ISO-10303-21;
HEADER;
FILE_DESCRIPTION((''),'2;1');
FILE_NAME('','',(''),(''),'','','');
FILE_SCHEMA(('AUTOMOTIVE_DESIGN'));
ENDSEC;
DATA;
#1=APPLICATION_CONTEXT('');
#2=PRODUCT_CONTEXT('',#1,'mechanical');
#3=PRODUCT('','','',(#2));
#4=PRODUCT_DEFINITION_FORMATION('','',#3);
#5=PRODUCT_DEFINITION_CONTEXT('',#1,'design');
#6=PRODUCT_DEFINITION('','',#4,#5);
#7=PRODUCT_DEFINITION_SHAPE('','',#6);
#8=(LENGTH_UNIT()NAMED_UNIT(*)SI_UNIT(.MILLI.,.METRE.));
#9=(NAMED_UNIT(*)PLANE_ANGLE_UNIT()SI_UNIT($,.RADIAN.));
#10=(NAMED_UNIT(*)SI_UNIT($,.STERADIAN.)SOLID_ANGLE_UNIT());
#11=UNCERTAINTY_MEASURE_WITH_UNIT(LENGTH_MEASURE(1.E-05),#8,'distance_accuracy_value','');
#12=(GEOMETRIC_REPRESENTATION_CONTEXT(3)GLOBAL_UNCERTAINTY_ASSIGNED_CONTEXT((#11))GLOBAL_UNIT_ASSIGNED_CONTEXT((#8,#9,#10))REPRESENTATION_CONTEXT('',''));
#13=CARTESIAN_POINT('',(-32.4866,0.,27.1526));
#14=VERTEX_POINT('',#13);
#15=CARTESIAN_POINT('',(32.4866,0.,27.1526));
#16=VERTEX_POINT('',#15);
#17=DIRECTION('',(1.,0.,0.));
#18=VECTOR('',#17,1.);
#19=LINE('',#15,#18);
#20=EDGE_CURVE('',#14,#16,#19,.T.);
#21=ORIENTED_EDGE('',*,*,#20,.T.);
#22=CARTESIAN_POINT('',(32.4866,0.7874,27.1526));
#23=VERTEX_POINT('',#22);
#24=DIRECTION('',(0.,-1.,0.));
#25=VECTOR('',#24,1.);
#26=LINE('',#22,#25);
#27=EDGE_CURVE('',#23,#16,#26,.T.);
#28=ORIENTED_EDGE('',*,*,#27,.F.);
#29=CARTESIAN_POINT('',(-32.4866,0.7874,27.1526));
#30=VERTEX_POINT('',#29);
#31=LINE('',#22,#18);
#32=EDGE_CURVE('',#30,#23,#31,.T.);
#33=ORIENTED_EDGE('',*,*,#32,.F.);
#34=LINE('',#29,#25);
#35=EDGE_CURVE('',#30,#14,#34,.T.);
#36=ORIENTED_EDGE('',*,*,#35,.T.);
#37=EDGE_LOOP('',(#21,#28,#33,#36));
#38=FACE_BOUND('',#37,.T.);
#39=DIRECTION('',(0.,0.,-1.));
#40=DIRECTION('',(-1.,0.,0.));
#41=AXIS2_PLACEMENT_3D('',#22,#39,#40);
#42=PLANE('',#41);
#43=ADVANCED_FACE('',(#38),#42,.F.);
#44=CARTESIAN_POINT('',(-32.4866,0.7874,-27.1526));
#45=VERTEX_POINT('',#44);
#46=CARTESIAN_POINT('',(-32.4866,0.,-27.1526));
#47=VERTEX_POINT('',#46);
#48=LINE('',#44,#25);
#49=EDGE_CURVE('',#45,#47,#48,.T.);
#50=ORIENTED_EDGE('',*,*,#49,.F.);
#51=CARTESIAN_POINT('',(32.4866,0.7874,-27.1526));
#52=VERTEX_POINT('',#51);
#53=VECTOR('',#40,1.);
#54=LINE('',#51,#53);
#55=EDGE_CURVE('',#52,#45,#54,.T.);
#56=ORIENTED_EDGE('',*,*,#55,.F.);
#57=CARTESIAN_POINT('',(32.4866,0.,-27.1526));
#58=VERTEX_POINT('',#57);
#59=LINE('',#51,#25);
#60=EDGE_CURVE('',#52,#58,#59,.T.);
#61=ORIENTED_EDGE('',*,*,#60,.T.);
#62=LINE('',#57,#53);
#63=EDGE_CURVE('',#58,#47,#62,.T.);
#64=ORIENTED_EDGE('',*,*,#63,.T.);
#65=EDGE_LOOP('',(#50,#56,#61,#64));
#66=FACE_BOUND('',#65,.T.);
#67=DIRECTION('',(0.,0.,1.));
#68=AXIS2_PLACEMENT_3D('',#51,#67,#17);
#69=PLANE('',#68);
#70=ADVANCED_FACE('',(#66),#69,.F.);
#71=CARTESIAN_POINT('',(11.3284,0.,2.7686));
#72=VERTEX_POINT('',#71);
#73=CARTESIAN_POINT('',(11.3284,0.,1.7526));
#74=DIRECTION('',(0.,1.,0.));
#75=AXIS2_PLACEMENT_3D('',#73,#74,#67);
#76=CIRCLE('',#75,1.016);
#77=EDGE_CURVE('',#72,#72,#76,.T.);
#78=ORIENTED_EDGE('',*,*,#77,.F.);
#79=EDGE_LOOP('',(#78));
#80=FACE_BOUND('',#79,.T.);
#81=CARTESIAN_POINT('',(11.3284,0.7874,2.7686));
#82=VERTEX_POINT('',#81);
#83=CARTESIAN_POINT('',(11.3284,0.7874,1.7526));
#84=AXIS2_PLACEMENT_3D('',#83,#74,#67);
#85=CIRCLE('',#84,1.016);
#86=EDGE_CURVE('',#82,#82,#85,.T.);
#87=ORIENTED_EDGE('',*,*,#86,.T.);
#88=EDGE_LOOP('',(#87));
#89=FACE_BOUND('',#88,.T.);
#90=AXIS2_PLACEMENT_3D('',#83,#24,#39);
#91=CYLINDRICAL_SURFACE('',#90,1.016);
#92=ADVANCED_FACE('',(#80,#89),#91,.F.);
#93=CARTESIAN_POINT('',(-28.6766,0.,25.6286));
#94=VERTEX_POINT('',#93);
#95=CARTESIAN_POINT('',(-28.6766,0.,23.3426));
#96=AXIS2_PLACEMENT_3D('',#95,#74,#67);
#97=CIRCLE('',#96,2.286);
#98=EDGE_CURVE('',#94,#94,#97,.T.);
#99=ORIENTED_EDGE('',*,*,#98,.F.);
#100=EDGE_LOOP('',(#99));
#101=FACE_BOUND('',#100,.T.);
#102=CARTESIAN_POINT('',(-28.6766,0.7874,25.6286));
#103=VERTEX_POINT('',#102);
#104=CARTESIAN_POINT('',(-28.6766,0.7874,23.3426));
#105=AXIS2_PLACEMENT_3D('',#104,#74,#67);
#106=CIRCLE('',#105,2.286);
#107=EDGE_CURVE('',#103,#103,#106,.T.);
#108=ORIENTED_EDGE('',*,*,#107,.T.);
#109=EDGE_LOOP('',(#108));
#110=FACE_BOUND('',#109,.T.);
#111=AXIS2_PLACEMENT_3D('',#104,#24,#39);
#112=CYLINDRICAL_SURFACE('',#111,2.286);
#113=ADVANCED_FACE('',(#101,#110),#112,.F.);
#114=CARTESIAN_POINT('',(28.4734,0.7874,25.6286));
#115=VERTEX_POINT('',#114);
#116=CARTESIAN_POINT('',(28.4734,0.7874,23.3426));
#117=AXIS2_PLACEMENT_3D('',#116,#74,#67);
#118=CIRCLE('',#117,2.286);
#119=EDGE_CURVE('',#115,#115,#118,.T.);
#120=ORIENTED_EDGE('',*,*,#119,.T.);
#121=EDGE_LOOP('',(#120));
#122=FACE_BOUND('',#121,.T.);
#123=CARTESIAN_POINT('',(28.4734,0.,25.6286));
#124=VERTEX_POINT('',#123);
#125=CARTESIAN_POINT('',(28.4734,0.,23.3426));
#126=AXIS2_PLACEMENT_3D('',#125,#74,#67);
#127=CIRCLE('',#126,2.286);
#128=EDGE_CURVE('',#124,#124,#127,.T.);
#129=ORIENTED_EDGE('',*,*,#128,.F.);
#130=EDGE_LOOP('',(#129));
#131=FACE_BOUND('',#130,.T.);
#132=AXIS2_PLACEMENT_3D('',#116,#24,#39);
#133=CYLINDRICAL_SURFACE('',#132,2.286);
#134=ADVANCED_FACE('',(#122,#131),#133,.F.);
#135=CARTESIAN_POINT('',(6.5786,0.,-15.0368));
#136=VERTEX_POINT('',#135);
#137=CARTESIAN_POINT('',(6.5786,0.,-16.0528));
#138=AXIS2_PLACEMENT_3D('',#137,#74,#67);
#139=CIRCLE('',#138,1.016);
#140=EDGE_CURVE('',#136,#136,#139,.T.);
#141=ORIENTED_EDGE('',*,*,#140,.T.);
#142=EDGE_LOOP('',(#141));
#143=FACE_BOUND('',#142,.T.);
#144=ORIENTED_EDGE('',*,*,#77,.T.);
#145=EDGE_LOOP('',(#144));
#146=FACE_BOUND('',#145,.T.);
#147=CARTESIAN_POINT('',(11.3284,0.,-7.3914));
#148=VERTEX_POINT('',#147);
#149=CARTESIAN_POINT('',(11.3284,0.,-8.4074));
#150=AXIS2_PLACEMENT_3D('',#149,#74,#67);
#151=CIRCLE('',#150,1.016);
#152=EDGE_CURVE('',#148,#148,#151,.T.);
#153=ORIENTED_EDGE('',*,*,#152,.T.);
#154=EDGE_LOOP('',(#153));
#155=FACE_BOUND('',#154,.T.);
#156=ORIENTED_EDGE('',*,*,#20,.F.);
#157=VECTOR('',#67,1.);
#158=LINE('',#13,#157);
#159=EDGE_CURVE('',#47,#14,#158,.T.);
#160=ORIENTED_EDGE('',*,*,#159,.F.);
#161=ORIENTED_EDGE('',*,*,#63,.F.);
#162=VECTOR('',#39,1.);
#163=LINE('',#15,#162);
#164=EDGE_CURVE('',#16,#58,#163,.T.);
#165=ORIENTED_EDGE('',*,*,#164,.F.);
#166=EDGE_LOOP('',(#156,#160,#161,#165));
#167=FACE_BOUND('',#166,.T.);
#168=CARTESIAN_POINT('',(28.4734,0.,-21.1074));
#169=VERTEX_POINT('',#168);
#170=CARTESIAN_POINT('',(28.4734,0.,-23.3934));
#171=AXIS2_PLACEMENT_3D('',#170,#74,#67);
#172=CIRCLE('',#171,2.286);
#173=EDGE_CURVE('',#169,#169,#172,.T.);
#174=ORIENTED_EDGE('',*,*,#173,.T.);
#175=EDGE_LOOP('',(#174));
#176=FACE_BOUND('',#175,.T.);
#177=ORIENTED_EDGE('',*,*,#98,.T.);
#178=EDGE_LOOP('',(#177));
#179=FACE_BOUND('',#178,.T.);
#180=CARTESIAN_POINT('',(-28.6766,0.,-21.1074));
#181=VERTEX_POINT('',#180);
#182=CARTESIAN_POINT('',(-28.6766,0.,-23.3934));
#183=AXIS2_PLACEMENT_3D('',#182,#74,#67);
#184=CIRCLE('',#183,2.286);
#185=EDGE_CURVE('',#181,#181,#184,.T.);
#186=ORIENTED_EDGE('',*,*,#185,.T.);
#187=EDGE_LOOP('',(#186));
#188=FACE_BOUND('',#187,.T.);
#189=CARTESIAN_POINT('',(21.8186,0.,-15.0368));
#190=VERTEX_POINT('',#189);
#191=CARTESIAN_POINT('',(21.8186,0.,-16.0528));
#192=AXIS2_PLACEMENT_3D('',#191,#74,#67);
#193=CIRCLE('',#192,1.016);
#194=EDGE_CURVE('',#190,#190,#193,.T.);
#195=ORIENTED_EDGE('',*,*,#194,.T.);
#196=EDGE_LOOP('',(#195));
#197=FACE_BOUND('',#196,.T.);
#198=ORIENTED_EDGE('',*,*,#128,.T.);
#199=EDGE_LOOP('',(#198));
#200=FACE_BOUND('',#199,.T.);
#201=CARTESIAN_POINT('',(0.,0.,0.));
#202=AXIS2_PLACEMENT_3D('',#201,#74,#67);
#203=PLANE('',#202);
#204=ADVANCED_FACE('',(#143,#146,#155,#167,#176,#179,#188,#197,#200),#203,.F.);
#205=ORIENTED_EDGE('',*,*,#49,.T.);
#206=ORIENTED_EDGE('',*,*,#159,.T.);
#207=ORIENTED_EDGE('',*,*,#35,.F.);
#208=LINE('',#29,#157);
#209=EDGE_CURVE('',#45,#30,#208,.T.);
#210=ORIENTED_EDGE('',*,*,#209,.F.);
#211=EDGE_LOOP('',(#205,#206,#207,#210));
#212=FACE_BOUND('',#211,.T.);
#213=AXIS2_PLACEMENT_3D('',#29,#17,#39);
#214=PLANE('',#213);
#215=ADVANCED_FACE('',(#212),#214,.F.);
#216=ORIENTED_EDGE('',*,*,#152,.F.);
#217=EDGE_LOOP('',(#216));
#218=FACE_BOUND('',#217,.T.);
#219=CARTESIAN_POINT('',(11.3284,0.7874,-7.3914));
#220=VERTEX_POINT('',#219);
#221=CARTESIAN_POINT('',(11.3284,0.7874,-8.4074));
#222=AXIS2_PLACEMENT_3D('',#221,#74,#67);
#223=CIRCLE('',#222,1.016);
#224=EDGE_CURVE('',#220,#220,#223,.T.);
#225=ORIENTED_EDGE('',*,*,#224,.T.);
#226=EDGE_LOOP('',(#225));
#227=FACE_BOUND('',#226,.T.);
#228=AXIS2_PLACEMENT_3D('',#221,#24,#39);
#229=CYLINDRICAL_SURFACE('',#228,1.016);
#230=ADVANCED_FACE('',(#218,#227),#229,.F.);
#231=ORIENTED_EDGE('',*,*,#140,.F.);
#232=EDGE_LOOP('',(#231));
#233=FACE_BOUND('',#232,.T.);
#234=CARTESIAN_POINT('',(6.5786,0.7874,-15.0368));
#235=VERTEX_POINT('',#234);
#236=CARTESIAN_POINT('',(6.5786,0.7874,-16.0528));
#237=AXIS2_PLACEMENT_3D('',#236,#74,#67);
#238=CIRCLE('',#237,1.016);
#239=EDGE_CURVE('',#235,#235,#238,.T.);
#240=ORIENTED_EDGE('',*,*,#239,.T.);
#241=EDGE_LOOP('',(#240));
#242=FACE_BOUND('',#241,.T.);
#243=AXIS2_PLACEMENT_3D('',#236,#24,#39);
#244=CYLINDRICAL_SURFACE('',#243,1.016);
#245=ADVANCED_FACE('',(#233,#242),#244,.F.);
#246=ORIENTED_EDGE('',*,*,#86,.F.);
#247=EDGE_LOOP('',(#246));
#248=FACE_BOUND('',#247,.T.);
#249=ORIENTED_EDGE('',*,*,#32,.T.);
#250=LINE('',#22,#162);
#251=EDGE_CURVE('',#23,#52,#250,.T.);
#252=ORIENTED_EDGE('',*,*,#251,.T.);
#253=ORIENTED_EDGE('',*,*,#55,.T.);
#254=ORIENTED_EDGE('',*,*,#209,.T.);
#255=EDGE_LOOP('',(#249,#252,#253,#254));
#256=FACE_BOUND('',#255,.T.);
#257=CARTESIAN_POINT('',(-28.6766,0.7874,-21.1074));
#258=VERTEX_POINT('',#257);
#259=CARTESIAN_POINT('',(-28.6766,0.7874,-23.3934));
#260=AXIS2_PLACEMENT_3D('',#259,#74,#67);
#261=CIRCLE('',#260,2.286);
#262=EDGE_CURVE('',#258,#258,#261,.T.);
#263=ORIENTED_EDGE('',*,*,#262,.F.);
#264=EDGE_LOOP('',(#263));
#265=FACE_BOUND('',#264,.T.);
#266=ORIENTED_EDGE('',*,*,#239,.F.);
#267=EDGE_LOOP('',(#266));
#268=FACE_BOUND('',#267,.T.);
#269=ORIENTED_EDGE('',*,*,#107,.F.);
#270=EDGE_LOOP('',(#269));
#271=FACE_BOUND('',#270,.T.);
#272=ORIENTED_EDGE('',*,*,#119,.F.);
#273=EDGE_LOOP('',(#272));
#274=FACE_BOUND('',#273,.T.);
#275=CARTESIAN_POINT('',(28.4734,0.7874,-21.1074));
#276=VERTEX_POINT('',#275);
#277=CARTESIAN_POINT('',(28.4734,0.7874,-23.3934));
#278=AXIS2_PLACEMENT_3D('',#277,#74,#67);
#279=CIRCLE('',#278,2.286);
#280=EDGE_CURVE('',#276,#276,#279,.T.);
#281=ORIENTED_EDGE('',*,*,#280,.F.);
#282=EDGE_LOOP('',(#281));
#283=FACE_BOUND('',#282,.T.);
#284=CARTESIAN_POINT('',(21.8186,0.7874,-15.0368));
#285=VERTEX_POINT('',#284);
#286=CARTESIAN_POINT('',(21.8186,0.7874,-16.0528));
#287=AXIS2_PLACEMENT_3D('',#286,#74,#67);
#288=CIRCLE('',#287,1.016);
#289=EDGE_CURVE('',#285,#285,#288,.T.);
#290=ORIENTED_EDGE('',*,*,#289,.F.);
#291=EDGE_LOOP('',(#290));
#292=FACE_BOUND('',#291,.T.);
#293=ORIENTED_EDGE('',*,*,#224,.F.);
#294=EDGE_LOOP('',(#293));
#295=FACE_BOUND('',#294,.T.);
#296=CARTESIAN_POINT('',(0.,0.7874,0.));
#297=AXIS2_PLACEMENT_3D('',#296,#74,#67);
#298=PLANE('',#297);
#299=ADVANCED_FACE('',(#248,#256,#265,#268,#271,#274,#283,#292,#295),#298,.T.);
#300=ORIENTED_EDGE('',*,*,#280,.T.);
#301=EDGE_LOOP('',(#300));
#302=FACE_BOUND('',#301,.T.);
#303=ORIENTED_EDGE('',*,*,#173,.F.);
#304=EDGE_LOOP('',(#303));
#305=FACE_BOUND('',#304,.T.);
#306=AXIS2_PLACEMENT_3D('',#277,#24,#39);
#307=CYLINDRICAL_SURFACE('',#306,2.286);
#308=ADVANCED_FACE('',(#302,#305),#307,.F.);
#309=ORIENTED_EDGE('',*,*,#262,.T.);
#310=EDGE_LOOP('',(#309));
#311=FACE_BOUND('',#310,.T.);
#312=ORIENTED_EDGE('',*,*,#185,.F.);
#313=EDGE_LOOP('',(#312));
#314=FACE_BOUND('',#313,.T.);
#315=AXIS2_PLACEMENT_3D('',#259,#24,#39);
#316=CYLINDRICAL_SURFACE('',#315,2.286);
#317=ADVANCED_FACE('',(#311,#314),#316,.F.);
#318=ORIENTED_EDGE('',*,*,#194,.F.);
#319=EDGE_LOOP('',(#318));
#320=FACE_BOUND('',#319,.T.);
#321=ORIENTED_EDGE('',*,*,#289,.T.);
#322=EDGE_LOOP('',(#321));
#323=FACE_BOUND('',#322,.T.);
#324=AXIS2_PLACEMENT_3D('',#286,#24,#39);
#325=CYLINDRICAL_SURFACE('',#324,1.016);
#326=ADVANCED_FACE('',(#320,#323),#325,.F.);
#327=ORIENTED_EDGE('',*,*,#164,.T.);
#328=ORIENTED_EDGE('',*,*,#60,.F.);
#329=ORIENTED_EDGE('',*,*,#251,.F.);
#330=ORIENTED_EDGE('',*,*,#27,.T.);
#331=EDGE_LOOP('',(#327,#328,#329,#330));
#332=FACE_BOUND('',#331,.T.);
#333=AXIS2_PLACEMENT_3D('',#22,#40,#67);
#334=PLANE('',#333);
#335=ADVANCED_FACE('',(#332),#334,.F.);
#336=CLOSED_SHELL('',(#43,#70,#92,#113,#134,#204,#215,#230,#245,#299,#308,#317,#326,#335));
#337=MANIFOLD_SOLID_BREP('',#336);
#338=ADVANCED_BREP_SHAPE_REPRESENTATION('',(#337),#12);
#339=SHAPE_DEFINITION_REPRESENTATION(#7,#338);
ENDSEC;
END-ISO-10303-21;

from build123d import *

# Parameters (mm, degrees)
SKETCH1_W           = 64.9732
SKETCH1_H           = 54.3052
SKETCH1_R           = 2.286
SKETCH1_R_2         = 1.016
BOSS_EXTRUDE1_DEPTH = 0.7874


with BuildPart() as part:
    # Sketch1 → Boss-Extrude1 (new body)
    with BuildSketch(Plane(origin=(0, 0, 0), x_dir=(1, 0, 0), z_dir=(0, 1, 0))):
        Rectangle(SKETCH1_W, SKETCH1_H)
        with Locations((-28.6766, -23.3426)):
            Circle(SKETCH1_R, mode=Mode.SUBTRACT)
        with Locations((28.4734, -23.3426)):
            Circle(SKETCH1_R, mode=Mode.SUBTRACT)
        with Locations((28.4734, 23.3934)):
            Circle(SKETCH1_R, mode=Mode.SUBTRACT)
        with Locations((-28.6766, 23.3934)):
            Circle(SKETCH1_R, mode=Mode.SUBTRACT)
        with Locations((11.3284, -1.7526)):
            Circle(SKETCH1_R_2, mode=Mode.SUBTRACT)
        with Locations((11.3284, 8.4074)):
            Circle(SKETCH1_R_2, mode=Mode.SUBTRACT)
        with Locations((6.5786, 16.0528)):
            Circle(SKETCH1_R_2, mode=Mode.SUBTRACT)
        with Locations((21.8186, 16.0528)):
            Circle(SKETCH1_R_2, mode=Mode.SUBTRACT)
    extrude(amount=BOSS_EXTRUDE1_DEPTH)


solid = part.part
